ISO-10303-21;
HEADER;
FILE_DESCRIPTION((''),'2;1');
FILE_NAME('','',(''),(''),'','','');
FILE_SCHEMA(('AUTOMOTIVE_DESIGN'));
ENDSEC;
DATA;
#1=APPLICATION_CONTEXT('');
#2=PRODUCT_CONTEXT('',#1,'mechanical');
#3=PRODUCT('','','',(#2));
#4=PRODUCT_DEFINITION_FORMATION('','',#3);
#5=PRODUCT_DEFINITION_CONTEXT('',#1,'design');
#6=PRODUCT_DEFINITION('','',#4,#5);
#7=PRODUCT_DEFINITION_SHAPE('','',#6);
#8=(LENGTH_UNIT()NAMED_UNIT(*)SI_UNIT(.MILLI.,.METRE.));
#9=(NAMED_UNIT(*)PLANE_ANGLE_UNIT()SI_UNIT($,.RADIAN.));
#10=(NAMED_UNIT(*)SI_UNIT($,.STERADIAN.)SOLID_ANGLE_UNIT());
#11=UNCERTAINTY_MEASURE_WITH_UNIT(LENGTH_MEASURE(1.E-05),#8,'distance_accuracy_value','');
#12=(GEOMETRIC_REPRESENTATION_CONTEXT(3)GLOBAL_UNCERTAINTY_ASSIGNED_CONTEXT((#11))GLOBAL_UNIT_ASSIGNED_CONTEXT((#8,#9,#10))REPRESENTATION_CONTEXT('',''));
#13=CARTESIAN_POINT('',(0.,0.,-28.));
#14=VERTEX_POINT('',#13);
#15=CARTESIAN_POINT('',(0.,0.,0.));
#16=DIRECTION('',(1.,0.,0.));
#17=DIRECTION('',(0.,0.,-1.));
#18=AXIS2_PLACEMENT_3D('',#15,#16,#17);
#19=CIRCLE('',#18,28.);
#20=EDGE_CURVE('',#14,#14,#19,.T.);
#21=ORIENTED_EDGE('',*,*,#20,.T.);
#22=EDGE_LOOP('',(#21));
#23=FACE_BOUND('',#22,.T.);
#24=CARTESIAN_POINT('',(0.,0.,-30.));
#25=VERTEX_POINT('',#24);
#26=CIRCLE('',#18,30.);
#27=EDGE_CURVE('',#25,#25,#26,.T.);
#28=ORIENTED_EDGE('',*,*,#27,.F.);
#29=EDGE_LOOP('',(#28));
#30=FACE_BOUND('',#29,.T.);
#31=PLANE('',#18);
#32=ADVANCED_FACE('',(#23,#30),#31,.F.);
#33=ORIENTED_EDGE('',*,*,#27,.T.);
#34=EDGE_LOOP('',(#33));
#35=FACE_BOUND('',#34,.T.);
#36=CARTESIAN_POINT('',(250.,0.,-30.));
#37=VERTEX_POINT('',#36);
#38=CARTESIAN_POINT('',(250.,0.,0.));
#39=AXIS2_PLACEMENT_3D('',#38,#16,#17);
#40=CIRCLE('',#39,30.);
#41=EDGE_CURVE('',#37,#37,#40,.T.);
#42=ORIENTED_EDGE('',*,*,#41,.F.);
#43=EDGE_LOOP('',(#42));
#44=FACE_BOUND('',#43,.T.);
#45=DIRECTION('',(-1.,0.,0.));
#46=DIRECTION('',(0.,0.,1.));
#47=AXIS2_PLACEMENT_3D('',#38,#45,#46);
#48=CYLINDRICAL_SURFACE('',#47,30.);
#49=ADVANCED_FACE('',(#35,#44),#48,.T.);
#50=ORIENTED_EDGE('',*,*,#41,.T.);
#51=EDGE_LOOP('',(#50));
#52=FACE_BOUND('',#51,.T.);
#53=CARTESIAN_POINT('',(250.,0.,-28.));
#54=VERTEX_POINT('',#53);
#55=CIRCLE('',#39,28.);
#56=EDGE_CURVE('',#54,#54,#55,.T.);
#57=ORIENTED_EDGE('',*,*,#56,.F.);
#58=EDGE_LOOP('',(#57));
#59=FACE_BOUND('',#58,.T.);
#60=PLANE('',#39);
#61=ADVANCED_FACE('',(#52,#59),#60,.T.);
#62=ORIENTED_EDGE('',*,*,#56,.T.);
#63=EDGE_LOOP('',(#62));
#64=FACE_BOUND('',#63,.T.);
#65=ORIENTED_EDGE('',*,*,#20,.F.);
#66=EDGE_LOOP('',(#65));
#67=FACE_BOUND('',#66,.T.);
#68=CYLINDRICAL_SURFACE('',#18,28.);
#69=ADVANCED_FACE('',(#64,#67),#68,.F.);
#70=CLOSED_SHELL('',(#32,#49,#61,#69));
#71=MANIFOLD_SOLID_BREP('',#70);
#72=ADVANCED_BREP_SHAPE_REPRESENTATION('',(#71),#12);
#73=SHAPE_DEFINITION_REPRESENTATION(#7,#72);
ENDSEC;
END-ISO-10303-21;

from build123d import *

# Parameters (mm, degrees)
SKETCH1_R           = 30
BOSS_EXTRUDE1_DEPTH = 250
SKETCH2_R           = 28
CUT_EXTRUDE1_DEPTH  = 250


with BuildPart() as part:
    # Sketch1 → Boss-Extrude1 (new body)
    with BuildSketch(Plane(origin=(0, 0, 0), x_dir=(0, 0, -1), z_dir=(1, 0, 0))):
        Circle(SKETCH1_R)
    extrude(amount=BOSS_EXTRUDE1_DEPTH)

    # Sketch2 → Cut-Extrude1 (cut)
    with BuildSketch(Plane(origin=(250, 0, 0), x_dir=(0, 0, -1), z_dir=(1, 0, 0))):
        Circle(SKETCH2_R)
    extrude(amount=-CUT_EXTRUDE1_DEPTH, mode=Mode.SUBTRACT)


solid = part.part
